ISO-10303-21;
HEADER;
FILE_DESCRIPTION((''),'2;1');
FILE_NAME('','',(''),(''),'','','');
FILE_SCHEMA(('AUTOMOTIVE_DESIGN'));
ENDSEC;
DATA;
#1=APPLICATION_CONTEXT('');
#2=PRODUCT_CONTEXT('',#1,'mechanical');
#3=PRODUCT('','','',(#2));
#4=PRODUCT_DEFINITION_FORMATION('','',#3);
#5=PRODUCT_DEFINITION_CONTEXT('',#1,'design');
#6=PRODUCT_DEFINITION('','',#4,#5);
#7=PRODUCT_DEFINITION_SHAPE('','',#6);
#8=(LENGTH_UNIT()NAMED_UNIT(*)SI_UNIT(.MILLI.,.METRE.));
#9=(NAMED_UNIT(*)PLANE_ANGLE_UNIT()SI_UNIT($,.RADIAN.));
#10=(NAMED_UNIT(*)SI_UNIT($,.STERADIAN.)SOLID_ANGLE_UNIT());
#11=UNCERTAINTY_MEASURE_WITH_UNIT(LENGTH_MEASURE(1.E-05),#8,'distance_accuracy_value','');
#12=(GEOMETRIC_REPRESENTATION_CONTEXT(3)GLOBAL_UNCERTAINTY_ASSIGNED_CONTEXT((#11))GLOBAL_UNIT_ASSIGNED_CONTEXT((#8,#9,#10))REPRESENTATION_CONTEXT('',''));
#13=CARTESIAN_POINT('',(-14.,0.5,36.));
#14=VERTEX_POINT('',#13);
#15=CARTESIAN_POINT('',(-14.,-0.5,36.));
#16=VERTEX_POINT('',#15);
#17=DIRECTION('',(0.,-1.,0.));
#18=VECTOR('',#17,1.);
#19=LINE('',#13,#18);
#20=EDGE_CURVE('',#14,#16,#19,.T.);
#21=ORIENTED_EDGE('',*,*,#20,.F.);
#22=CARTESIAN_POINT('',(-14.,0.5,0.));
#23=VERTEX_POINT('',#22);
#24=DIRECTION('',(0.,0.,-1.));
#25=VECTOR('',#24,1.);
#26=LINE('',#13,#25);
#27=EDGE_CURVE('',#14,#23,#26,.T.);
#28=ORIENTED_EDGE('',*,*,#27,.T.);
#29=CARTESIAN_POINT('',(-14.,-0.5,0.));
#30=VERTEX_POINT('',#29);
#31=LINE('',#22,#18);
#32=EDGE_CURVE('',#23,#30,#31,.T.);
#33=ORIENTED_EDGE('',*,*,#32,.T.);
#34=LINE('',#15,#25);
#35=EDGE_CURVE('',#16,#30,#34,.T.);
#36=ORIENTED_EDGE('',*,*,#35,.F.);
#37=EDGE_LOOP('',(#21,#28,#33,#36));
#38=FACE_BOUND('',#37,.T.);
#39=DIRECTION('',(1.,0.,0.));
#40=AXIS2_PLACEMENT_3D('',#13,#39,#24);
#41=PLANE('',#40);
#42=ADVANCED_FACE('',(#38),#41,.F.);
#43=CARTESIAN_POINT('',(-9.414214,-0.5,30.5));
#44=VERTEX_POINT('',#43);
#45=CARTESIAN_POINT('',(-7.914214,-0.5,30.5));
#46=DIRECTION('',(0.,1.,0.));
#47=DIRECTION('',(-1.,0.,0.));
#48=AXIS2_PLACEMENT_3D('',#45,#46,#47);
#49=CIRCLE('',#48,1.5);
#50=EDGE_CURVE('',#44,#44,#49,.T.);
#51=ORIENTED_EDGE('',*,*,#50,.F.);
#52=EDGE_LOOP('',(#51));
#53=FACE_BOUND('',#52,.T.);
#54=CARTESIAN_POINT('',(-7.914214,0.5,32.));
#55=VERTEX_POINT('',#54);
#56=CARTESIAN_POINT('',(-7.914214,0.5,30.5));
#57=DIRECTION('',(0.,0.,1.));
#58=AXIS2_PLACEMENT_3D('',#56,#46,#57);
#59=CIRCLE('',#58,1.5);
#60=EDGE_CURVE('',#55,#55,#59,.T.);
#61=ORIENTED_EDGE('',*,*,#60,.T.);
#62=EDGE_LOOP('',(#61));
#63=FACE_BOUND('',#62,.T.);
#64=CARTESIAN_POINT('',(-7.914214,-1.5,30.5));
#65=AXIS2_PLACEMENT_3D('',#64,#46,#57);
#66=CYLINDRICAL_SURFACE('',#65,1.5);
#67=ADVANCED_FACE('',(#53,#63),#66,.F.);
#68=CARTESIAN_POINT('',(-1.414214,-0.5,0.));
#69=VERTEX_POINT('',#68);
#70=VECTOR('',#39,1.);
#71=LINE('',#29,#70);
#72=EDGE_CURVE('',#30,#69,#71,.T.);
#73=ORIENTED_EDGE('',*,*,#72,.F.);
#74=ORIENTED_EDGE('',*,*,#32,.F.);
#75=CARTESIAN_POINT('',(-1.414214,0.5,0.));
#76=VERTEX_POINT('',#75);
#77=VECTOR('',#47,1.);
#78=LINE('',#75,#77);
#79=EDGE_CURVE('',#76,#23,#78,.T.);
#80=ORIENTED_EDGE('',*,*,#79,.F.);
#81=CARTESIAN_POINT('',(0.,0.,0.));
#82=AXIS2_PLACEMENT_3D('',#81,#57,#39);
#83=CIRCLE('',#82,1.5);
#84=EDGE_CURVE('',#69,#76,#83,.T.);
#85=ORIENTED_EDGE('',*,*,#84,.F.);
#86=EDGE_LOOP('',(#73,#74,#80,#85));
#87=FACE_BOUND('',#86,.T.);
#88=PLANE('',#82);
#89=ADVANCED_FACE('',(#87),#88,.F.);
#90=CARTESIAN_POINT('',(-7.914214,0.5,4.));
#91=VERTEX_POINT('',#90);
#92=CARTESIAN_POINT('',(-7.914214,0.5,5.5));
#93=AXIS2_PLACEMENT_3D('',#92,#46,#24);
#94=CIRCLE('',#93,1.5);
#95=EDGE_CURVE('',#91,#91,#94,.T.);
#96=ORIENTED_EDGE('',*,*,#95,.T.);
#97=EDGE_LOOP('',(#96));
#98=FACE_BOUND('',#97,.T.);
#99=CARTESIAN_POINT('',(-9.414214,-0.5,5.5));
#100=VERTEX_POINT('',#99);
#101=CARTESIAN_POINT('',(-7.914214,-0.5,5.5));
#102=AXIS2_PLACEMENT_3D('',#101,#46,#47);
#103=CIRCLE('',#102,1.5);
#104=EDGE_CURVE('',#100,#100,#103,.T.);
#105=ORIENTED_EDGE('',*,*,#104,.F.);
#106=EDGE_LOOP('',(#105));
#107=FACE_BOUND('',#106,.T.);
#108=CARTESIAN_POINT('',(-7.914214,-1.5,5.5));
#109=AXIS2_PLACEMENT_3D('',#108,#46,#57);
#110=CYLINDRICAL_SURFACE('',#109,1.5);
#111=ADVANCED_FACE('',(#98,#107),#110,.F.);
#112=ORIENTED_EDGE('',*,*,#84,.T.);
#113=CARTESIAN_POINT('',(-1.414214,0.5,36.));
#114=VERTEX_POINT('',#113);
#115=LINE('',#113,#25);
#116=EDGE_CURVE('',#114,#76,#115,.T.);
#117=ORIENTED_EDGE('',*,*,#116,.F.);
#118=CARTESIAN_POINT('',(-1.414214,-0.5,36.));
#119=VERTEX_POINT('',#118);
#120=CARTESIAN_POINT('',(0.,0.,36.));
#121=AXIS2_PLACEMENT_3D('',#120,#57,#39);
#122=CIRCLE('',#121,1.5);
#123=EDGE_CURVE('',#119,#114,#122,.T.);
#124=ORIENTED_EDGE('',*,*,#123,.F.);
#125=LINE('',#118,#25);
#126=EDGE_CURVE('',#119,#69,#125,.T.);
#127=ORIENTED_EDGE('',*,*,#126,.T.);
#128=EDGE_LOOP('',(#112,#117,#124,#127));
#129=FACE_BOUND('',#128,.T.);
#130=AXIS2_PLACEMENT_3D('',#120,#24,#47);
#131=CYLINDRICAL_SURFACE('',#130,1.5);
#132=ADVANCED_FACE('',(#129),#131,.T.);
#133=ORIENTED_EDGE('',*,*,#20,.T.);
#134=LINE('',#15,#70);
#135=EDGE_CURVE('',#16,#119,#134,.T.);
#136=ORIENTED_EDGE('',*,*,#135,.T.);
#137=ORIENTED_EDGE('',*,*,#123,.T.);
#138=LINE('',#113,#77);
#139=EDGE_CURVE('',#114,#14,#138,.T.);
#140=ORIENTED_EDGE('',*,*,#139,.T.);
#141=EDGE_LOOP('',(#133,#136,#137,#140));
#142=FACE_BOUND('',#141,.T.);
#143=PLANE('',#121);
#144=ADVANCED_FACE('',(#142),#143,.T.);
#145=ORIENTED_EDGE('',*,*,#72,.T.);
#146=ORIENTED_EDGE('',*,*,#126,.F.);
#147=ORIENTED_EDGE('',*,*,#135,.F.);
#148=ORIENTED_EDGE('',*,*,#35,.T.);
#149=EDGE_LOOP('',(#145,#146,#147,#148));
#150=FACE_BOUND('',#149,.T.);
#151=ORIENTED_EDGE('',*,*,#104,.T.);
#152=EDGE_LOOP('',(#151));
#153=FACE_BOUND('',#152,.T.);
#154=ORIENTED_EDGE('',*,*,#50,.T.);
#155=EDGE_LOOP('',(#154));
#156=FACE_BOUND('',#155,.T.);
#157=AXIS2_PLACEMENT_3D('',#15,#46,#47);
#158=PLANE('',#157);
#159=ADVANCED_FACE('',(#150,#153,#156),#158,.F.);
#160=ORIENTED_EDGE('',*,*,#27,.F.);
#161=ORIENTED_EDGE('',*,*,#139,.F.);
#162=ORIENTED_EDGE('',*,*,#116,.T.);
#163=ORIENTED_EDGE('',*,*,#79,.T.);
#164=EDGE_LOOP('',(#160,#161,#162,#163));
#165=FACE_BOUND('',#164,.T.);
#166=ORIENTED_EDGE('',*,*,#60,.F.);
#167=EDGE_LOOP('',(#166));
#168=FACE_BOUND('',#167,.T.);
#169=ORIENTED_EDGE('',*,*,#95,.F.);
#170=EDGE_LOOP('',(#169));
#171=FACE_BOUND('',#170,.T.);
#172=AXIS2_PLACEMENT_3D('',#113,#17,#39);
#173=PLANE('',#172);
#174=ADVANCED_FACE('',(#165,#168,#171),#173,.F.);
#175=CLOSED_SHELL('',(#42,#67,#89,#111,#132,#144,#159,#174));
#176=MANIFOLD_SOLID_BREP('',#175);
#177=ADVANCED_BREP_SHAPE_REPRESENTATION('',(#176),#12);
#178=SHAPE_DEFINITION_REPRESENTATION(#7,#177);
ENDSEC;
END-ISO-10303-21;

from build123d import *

# Parameters (mm, degrees)
EXTRUDE_1_DEPTH     = 36
SKETCH_2_R          = 1.5
CUT_EXTRUDE_1_DEPTH = 39.678159212


with BuildPart() as part:
    # 草图1 → 凸台-拉伸1 (new body)
    with BuildSketch(Plane.XY):
        with BuildLine():
            Line((-1.414213562, 0.5), (-14, 0.5))
            Line((-14, 0.5), (-14, -0.5))
            Line((-14, -0.5), (-1.414213562, -0.5))
            ThreePointArc((-1.414213562, -0.5), (1.5, 0), (-1.414213562, 0.5))
        make_face()
    extrude(amount=EXTRUDE_1_DEPTH)

    # 草图2 → 切除-拉伸1 (cut, through all)
    with BuildSketch(Plane(origin=(0, 0.5, 0), x_dir=(1, 0, 0), z_dir=(0, 1, 0))):
        with Locations(Location((-7.914213562, -5.5, 0), (0, 0, 180))):
            Circle(SKETCH_2_R)
        with Locations(Location((-7.914213562, -30.5, 0), (0, 0, 270))):
            Circle(SKETCH_2_R)
    extrude(amount=-CUT_EXTRUDE_1_DEPTH, mode=Mode.SUBTRACT)


solid = part.part
